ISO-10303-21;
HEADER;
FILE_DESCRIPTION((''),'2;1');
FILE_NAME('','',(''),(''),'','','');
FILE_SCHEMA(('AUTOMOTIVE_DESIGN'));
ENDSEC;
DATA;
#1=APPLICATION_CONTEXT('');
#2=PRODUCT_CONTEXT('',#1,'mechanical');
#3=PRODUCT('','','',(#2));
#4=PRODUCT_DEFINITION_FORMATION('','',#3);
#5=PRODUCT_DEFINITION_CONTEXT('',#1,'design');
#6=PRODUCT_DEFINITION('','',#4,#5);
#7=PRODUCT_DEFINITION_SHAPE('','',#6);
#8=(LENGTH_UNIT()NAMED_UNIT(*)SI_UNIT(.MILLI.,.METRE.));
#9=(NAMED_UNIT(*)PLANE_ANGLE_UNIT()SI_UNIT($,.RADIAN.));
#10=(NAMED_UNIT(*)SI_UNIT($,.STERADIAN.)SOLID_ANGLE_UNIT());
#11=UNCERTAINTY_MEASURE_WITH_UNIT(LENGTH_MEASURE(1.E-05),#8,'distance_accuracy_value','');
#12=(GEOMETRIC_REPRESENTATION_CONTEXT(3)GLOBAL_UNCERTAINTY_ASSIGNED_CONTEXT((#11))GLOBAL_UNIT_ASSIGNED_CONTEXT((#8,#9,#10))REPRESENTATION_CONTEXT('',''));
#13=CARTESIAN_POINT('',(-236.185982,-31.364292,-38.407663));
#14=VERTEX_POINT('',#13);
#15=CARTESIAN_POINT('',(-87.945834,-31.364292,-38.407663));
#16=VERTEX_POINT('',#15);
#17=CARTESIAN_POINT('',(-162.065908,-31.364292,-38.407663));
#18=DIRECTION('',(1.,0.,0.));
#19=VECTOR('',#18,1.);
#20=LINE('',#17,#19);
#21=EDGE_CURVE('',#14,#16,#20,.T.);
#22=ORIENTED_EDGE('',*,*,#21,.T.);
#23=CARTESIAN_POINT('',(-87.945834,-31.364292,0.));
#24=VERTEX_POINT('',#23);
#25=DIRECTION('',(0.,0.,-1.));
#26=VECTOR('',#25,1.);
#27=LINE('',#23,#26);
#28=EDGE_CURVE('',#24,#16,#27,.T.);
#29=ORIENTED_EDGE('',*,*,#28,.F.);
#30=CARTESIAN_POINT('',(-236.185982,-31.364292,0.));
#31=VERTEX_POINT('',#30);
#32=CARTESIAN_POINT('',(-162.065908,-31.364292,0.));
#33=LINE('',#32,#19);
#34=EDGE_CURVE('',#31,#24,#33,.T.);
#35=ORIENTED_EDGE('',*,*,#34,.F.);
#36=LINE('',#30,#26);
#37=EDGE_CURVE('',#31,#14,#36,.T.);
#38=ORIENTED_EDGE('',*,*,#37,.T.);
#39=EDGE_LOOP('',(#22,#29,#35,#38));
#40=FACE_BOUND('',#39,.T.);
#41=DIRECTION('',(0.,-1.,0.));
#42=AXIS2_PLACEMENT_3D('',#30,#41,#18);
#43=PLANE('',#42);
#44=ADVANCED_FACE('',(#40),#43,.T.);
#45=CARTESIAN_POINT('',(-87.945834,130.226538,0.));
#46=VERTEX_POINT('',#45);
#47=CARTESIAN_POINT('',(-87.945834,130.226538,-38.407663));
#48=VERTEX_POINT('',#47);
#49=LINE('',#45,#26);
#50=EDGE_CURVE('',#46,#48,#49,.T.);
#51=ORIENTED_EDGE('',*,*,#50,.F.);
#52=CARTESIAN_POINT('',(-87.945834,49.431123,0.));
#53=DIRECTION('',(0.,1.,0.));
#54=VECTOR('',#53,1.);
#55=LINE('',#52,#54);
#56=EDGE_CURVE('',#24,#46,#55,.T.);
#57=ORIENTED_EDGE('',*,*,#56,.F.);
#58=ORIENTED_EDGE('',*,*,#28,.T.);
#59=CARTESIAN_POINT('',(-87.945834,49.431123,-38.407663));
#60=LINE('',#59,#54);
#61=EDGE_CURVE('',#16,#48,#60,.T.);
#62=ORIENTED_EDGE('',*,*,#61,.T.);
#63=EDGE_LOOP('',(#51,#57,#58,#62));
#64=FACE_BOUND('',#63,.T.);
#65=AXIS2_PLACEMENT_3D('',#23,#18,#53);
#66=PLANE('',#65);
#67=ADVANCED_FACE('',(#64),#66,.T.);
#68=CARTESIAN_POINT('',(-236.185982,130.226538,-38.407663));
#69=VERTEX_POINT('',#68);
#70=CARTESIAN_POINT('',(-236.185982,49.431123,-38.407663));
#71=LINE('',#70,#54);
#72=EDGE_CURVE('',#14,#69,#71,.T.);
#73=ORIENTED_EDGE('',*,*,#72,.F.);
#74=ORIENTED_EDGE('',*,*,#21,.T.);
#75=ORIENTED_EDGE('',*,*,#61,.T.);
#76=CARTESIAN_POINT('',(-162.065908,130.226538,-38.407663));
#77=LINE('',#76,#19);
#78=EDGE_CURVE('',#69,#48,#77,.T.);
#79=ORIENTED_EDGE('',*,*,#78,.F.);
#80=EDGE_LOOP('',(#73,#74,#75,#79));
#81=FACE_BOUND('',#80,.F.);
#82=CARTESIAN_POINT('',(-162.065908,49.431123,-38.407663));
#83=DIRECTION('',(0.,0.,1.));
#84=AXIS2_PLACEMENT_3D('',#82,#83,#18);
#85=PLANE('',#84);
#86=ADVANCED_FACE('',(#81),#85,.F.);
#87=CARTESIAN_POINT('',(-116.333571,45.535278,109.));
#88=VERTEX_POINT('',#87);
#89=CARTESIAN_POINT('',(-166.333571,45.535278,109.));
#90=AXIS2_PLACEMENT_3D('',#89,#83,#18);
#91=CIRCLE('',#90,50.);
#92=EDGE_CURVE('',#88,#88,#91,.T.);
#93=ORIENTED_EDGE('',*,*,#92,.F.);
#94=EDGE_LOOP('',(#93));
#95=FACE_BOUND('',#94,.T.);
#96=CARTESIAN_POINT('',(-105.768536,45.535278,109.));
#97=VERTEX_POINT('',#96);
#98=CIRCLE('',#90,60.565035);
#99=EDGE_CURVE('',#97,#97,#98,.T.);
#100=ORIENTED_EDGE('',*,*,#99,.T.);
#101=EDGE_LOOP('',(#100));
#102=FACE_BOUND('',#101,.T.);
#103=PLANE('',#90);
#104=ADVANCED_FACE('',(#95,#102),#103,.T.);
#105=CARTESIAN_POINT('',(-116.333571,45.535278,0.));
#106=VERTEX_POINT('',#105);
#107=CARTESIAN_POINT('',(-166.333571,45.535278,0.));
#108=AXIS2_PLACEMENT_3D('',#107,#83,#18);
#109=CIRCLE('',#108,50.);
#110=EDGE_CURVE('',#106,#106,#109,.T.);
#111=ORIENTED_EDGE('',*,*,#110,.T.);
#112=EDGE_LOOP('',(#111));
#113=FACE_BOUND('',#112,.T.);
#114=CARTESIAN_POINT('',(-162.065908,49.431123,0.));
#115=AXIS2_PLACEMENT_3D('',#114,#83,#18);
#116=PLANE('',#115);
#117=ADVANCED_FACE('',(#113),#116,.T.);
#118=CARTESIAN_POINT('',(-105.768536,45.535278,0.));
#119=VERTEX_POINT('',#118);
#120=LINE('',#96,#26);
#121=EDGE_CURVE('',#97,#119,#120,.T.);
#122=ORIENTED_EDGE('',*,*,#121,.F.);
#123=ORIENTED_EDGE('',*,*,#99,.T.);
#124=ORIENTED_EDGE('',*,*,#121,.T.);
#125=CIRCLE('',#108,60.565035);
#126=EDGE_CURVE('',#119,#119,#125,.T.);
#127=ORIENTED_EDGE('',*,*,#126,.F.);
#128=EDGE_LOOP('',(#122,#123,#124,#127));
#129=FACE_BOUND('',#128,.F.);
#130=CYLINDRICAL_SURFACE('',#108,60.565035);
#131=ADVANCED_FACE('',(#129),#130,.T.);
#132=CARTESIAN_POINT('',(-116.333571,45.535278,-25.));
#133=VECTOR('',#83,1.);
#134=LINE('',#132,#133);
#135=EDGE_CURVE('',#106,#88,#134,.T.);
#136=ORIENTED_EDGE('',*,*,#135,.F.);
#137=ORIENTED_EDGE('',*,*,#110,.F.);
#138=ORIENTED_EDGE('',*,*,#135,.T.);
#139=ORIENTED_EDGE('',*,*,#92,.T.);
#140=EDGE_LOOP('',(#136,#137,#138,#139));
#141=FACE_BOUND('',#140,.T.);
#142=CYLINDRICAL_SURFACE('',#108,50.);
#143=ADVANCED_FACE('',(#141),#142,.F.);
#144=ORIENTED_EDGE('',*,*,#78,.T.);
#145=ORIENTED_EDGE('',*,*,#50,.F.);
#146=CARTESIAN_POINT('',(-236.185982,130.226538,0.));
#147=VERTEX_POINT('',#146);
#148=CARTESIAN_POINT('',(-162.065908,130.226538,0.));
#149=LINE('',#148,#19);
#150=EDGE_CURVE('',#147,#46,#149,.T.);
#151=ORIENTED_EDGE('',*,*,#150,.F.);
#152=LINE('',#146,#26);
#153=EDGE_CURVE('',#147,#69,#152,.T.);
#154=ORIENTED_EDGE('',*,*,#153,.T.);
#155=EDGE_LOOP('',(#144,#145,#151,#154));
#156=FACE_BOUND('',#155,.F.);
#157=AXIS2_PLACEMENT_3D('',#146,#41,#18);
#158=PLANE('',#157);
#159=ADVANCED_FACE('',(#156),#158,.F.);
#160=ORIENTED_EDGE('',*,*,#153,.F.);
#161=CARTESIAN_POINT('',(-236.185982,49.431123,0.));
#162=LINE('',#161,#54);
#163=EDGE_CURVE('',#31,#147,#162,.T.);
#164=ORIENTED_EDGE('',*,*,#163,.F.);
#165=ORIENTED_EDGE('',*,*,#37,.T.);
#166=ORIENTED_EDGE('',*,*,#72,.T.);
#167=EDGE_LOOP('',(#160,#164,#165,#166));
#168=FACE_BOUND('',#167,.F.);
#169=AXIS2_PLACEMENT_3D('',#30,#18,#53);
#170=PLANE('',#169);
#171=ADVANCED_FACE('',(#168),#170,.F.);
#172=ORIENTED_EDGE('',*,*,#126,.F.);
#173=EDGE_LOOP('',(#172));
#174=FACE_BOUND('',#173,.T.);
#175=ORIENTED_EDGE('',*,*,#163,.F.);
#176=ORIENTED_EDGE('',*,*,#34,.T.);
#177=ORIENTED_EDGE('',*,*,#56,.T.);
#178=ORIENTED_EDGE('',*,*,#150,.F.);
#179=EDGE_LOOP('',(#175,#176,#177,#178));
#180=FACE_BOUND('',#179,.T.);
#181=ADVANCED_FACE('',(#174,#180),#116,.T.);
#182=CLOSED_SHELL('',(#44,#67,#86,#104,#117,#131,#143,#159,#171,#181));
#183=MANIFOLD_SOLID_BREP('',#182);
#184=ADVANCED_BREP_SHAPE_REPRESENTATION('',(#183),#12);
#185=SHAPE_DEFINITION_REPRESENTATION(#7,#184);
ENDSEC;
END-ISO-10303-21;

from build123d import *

# Parameters (mm, degrees)
F0_R        = 60.565035
F0_R_2      = 50
F1_DEPTH    = 109
F1_FACE_R   = 60.565035
F1_FACE_R_2 = 50
F2_DEPTH    = 25
F3_W        = 148.240149
F3_H        = 161.59083
F4_DEPTH    = 38.407663


with BuildPart() as f1:
    # F0 (on Top) → F1 (new body)
    with BuildSketch(Plane.XY):
        with Locations((-166.333571, 45.535278)):
            Circle(F0_R)
        with Locations((-166.333571, 45.535278)):
            Circle(F0_R_2, mode=Mode.SUBTRACT)
    extrude(amount=F1_DEPTH)

    # F1_face (on face) + F0 (on Top) → F2 (join)
    with BuildSketch(Plane(origin=(-166.333571, 45.535278, 0), x_dir=(1, 0, 0), z_dir=(0, 0, -1))):
        Circle(F1_FACE_R)
        Circle(F1_FACE_R_2, mode=Mode.SUBTRACT)
    with BuildSketch(Plane.XY):
        with Locations((-166.333571, 45.535278)):
            Circle(F0_R)
        with Locations((-166.333571, 45.535278)):
            Circle(F0_R_2, mode=Mode.SUBTRACT)
    extrude(amount=F2_DEPTH)

    # F3 (on Top) → F4 (join)
    with BuildSketch(Plane.XY):
        with Locations((-162.065908, 49.431123)):
            Rectangle(F3_W, F3_H)
    extrude(amount=-F4_DEPTH)


solid = f1.part
